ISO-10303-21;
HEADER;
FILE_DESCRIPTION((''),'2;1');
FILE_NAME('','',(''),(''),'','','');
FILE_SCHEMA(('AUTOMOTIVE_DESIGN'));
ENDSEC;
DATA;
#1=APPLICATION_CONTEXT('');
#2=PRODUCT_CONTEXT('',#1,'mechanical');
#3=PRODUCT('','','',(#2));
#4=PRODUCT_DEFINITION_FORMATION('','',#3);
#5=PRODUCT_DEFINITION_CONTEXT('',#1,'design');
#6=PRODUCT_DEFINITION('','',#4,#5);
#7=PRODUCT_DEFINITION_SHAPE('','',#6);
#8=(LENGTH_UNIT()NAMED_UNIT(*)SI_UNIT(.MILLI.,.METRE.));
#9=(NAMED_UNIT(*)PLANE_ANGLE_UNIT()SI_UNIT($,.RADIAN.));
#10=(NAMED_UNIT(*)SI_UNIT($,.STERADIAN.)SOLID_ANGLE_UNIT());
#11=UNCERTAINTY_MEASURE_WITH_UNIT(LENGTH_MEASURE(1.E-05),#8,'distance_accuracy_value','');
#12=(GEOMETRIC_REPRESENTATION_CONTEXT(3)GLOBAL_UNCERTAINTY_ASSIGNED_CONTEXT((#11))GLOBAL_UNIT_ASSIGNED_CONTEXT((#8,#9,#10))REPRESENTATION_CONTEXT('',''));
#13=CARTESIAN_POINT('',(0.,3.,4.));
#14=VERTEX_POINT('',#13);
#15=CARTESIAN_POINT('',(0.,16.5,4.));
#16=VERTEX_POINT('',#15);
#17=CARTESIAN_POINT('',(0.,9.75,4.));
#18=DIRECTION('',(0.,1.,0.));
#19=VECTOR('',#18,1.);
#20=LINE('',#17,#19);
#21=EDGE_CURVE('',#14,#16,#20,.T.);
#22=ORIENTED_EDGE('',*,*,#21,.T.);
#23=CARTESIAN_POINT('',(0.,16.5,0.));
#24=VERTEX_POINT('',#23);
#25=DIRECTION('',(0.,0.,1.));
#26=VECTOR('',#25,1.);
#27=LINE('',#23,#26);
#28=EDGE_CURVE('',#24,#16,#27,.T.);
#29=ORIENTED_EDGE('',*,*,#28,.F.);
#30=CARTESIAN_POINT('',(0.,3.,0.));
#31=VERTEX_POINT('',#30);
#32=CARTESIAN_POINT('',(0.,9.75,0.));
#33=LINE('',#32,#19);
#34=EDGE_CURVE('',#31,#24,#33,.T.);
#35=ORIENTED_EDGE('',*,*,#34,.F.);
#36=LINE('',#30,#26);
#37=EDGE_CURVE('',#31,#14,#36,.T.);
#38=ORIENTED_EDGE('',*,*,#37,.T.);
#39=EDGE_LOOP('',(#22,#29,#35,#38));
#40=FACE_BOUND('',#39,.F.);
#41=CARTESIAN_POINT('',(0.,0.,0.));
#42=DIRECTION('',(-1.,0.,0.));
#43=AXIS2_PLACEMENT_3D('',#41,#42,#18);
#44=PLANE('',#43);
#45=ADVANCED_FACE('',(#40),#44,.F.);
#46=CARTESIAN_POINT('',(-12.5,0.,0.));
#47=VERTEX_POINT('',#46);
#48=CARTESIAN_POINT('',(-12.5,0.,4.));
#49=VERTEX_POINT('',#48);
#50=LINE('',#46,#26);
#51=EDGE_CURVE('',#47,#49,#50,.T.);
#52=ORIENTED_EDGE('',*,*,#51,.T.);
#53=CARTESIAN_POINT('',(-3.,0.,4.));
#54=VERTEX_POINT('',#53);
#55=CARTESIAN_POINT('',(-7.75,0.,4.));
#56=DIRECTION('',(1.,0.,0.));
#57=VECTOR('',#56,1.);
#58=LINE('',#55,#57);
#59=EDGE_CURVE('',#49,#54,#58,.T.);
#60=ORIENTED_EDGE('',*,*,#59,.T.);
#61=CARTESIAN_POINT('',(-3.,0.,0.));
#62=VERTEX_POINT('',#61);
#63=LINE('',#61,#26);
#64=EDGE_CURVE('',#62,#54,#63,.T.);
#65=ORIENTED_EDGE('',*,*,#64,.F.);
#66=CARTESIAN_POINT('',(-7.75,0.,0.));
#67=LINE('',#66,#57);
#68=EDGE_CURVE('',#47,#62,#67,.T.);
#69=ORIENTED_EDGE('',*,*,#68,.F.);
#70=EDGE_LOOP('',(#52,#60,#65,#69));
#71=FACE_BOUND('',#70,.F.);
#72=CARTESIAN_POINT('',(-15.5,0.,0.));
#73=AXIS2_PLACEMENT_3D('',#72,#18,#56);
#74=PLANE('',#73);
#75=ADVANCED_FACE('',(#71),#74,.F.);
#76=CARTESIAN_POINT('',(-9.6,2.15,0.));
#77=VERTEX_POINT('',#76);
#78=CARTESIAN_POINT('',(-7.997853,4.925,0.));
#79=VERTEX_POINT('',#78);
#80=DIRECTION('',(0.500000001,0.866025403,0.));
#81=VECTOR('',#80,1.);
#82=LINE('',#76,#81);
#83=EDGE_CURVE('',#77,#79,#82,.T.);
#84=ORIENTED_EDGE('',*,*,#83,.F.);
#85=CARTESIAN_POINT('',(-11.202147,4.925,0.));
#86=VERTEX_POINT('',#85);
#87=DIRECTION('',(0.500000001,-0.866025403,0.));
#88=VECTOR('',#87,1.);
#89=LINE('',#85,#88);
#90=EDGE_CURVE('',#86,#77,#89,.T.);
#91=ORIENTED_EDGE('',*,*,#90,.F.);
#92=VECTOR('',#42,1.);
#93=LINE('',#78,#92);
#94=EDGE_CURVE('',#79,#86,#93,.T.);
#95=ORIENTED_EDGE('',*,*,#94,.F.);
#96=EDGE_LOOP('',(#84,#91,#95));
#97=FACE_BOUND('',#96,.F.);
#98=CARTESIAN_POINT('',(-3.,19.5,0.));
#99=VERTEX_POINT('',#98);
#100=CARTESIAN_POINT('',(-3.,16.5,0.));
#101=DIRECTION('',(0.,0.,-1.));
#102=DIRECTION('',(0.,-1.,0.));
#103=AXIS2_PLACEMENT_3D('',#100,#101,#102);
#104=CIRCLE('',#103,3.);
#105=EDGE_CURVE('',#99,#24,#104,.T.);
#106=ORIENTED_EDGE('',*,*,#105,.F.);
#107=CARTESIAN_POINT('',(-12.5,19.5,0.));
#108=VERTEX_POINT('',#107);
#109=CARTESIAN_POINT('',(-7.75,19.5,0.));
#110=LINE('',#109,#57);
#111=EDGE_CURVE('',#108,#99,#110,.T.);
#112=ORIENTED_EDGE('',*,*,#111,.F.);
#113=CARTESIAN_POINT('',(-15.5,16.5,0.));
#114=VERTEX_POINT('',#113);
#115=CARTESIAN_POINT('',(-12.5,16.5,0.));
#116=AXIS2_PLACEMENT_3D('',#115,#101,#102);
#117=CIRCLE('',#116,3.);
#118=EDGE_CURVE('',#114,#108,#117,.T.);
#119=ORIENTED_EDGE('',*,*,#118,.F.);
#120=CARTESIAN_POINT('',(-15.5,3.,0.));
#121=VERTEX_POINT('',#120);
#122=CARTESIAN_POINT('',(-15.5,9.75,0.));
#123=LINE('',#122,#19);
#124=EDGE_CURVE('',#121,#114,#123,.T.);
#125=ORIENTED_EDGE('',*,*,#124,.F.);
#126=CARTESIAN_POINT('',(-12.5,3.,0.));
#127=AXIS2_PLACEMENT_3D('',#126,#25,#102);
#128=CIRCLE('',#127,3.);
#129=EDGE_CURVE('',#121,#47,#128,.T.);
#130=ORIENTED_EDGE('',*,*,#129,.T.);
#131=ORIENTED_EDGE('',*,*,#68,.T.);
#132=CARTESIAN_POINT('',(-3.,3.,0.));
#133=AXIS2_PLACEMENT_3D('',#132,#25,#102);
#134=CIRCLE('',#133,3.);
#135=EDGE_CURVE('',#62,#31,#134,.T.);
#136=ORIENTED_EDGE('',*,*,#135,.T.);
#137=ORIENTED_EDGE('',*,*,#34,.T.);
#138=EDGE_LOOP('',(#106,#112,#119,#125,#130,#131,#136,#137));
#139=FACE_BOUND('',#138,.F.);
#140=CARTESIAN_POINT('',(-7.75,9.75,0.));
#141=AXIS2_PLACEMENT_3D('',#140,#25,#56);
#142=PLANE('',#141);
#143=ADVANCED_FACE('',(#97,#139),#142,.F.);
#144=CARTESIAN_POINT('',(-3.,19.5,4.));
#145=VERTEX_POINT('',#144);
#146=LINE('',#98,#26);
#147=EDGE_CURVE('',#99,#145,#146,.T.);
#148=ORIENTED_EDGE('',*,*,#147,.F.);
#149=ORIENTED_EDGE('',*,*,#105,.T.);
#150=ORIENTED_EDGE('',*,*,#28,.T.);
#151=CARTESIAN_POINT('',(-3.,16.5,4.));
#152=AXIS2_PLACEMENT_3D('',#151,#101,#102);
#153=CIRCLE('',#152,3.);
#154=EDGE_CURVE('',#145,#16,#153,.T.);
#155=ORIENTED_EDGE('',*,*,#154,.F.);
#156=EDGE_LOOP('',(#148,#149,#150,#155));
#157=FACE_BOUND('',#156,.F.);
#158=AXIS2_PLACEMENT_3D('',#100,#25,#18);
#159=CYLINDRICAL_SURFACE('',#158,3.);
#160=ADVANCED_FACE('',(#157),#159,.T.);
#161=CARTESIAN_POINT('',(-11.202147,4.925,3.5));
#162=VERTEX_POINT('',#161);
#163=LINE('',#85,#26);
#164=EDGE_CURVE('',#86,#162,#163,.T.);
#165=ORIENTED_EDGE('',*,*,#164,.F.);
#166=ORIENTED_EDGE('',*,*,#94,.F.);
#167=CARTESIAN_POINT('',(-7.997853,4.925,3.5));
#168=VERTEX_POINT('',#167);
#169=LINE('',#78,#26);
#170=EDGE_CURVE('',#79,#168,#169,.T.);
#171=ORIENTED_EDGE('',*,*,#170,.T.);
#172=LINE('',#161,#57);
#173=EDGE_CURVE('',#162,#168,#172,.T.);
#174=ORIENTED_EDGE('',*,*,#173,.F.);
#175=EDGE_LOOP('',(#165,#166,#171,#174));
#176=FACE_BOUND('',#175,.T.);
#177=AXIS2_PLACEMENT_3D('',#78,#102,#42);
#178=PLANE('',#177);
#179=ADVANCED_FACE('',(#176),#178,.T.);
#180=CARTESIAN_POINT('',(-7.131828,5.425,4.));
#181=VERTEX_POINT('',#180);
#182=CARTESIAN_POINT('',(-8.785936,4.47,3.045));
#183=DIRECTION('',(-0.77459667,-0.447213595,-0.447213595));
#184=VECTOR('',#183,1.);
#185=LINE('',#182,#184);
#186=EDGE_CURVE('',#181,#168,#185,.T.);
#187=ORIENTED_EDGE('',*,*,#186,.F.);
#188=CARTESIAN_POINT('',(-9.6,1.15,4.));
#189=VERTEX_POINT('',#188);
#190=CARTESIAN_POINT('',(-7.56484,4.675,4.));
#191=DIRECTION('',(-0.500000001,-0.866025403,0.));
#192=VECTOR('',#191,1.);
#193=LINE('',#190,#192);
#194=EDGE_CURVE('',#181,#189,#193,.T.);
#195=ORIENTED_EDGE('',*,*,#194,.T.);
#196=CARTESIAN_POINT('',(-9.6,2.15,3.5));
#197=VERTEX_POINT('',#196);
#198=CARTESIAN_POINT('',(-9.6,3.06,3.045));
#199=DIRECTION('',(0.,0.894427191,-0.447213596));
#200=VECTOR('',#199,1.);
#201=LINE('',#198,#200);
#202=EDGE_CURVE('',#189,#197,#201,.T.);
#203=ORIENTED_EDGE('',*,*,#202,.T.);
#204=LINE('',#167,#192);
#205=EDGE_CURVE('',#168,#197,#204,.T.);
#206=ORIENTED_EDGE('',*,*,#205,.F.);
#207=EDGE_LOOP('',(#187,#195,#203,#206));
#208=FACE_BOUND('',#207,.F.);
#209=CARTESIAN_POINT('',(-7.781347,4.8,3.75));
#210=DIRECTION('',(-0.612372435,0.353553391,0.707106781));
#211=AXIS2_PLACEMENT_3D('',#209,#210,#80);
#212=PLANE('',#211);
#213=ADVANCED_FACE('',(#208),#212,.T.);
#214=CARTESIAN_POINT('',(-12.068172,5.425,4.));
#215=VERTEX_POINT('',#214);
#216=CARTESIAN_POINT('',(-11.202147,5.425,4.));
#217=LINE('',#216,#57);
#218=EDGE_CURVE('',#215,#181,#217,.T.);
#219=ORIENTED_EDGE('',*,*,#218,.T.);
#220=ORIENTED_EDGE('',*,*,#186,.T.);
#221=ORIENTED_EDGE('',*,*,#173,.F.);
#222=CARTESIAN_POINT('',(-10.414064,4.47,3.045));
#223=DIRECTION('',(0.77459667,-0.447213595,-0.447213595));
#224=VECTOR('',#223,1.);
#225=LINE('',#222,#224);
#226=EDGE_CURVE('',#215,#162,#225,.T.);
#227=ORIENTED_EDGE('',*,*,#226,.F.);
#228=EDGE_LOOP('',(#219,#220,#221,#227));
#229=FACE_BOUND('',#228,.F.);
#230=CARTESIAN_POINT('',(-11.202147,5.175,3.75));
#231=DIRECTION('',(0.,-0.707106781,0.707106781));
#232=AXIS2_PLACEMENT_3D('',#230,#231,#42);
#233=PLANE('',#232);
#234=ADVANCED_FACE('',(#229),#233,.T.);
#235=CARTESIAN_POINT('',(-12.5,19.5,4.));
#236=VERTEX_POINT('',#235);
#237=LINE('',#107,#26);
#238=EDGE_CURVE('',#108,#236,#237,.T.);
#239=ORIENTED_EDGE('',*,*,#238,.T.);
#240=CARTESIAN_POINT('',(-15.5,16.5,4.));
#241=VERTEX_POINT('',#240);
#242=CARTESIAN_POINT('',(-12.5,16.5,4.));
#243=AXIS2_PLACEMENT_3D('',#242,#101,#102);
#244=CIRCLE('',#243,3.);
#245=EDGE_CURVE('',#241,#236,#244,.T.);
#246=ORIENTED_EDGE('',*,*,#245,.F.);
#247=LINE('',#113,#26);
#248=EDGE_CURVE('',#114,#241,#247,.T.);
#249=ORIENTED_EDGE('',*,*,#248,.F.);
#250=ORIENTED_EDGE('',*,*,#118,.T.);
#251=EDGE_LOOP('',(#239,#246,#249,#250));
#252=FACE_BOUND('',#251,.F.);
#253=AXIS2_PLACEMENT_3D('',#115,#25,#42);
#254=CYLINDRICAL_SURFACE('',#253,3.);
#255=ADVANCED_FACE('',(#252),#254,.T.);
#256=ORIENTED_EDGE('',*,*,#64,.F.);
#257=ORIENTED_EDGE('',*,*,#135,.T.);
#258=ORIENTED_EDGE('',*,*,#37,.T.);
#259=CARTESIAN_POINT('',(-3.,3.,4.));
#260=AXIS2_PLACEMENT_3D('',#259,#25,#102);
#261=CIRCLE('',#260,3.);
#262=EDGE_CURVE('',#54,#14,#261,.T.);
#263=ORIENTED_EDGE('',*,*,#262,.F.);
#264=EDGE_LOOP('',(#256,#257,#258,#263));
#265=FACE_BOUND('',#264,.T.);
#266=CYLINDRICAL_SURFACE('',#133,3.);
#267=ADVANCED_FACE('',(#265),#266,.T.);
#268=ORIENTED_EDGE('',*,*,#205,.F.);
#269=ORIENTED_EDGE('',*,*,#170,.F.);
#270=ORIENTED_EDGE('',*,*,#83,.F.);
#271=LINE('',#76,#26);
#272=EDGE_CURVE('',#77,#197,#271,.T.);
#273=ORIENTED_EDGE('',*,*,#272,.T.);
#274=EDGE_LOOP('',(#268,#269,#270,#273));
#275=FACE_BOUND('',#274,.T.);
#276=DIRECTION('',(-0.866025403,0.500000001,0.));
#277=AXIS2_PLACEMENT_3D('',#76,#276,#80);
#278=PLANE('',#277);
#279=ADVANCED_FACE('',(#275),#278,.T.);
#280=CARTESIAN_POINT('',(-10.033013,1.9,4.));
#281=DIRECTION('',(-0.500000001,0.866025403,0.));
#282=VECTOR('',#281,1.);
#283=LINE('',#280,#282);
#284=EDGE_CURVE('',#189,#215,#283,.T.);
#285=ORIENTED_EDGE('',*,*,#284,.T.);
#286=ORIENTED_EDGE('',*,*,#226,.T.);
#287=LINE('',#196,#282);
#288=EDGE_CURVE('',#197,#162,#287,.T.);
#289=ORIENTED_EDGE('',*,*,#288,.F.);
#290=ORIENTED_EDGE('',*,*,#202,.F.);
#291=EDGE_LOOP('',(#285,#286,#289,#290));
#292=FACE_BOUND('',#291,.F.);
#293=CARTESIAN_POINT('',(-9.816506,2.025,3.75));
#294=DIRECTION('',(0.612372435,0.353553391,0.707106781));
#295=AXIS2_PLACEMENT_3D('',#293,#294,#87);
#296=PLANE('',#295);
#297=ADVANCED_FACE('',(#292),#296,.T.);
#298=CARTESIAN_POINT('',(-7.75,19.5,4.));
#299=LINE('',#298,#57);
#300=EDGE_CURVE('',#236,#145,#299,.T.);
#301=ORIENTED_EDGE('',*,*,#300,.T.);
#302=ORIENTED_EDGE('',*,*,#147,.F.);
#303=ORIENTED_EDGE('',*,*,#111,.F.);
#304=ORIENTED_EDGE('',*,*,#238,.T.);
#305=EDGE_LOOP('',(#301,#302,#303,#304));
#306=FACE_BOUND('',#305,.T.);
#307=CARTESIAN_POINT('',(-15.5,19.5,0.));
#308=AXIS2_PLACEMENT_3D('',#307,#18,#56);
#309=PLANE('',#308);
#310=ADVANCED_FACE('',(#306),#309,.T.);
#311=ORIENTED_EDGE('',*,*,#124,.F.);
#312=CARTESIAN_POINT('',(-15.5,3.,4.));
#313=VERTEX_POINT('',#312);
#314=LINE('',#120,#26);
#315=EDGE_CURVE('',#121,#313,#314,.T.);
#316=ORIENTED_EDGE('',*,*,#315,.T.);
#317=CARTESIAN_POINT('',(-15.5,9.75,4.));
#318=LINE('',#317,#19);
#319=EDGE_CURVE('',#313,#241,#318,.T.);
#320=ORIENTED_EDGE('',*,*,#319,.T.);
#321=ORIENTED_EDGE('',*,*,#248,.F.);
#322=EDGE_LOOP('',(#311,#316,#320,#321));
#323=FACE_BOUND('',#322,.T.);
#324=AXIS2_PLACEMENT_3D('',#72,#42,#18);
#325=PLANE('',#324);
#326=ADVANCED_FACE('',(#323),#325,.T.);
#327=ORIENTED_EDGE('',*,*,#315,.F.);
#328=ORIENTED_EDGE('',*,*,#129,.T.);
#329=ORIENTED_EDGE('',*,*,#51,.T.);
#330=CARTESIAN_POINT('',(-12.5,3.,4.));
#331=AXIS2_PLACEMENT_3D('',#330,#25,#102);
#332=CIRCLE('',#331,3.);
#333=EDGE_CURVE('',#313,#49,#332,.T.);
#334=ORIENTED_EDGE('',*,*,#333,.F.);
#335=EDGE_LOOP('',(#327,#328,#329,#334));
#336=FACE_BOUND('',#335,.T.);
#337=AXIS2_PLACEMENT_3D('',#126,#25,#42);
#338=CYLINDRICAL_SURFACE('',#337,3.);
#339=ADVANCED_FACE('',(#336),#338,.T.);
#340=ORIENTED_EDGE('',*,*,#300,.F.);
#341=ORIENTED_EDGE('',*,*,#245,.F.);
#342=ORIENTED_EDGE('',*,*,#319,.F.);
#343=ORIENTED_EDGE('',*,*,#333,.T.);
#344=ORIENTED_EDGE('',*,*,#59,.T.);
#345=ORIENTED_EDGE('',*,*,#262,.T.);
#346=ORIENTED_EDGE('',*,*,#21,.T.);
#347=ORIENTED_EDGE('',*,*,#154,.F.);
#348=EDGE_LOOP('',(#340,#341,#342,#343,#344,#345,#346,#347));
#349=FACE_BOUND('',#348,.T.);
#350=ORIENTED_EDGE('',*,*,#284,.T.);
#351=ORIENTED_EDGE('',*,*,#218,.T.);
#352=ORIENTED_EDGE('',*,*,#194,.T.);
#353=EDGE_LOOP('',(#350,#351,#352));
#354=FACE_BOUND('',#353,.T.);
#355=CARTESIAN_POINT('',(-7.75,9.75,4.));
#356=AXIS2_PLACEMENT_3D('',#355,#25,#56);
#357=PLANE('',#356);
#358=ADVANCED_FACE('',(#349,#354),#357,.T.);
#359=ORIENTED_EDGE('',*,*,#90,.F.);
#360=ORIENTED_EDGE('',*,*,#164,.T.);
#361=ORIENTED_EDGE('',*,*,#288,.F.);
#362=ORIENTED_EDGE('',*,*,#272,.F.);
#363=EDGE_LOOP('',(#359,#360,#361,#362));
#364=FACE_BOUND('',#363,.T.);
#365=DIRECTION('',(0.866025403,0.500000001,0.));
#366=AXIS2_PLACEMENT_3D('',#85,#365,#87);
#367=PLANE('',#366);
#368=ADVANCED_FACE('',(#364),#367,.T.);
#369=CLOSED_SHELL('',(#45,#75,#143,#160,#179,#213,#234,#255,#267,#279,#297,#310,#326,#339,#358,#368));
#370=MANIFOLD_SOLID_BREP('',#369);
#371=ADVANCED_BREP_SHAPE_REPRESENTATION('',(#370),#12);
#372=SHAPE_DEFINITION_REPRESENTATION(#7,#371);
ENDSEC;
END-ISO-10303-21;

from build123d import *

# Parameters (mm, degrees)
F0_W     = 15.5
F0_H     = 19.5
F1_DEPTH = 4
F3_DEPTH = 4.001
F4_SIZE  = 0.5
F5_R     = 3


with BuildPart() as f1:
    # F0 (on Top) → F1 (new body)
    with BuildSketch(Plane.XY):
        with Locations((-7.75, 9.75)):
            Rectangle(F0_W, F0_H)
    extrude(amount=F1_DEPTH)

    # F2 (on Top) → F3 (cut, through all)
    with BuildSketch(Plane.XY):
        Polygon((-11.202147, 4.925), (-9.6, 2.15), (-7.997853, 4.925), align=None)
    extrude(amount=F3_DEPTH, mode=Mode.SUBTRACT)

    # F4
    f4_edges = [f1.edges().sort_by_distance(p)[0] for p in [
        (-9.6, 4.925, 4),
        (-10.401073, 3.5375, 4),
        (-8.798927, 3.5375, 4),
    ]]
    chamfer(f4_edges, length=F4_SIZE)

    # F5
    f5_edges = [f1.edges().sort_by_distance(p)[0] for p in [
        (-15.5, 0, 2),
        (0, 0, 2),
        (0, 19.5, 2),
        (-15.5, 19.5, 2),
    ]]
    fillet(f5_edges, radius=F5_R)


solid = f1.part
